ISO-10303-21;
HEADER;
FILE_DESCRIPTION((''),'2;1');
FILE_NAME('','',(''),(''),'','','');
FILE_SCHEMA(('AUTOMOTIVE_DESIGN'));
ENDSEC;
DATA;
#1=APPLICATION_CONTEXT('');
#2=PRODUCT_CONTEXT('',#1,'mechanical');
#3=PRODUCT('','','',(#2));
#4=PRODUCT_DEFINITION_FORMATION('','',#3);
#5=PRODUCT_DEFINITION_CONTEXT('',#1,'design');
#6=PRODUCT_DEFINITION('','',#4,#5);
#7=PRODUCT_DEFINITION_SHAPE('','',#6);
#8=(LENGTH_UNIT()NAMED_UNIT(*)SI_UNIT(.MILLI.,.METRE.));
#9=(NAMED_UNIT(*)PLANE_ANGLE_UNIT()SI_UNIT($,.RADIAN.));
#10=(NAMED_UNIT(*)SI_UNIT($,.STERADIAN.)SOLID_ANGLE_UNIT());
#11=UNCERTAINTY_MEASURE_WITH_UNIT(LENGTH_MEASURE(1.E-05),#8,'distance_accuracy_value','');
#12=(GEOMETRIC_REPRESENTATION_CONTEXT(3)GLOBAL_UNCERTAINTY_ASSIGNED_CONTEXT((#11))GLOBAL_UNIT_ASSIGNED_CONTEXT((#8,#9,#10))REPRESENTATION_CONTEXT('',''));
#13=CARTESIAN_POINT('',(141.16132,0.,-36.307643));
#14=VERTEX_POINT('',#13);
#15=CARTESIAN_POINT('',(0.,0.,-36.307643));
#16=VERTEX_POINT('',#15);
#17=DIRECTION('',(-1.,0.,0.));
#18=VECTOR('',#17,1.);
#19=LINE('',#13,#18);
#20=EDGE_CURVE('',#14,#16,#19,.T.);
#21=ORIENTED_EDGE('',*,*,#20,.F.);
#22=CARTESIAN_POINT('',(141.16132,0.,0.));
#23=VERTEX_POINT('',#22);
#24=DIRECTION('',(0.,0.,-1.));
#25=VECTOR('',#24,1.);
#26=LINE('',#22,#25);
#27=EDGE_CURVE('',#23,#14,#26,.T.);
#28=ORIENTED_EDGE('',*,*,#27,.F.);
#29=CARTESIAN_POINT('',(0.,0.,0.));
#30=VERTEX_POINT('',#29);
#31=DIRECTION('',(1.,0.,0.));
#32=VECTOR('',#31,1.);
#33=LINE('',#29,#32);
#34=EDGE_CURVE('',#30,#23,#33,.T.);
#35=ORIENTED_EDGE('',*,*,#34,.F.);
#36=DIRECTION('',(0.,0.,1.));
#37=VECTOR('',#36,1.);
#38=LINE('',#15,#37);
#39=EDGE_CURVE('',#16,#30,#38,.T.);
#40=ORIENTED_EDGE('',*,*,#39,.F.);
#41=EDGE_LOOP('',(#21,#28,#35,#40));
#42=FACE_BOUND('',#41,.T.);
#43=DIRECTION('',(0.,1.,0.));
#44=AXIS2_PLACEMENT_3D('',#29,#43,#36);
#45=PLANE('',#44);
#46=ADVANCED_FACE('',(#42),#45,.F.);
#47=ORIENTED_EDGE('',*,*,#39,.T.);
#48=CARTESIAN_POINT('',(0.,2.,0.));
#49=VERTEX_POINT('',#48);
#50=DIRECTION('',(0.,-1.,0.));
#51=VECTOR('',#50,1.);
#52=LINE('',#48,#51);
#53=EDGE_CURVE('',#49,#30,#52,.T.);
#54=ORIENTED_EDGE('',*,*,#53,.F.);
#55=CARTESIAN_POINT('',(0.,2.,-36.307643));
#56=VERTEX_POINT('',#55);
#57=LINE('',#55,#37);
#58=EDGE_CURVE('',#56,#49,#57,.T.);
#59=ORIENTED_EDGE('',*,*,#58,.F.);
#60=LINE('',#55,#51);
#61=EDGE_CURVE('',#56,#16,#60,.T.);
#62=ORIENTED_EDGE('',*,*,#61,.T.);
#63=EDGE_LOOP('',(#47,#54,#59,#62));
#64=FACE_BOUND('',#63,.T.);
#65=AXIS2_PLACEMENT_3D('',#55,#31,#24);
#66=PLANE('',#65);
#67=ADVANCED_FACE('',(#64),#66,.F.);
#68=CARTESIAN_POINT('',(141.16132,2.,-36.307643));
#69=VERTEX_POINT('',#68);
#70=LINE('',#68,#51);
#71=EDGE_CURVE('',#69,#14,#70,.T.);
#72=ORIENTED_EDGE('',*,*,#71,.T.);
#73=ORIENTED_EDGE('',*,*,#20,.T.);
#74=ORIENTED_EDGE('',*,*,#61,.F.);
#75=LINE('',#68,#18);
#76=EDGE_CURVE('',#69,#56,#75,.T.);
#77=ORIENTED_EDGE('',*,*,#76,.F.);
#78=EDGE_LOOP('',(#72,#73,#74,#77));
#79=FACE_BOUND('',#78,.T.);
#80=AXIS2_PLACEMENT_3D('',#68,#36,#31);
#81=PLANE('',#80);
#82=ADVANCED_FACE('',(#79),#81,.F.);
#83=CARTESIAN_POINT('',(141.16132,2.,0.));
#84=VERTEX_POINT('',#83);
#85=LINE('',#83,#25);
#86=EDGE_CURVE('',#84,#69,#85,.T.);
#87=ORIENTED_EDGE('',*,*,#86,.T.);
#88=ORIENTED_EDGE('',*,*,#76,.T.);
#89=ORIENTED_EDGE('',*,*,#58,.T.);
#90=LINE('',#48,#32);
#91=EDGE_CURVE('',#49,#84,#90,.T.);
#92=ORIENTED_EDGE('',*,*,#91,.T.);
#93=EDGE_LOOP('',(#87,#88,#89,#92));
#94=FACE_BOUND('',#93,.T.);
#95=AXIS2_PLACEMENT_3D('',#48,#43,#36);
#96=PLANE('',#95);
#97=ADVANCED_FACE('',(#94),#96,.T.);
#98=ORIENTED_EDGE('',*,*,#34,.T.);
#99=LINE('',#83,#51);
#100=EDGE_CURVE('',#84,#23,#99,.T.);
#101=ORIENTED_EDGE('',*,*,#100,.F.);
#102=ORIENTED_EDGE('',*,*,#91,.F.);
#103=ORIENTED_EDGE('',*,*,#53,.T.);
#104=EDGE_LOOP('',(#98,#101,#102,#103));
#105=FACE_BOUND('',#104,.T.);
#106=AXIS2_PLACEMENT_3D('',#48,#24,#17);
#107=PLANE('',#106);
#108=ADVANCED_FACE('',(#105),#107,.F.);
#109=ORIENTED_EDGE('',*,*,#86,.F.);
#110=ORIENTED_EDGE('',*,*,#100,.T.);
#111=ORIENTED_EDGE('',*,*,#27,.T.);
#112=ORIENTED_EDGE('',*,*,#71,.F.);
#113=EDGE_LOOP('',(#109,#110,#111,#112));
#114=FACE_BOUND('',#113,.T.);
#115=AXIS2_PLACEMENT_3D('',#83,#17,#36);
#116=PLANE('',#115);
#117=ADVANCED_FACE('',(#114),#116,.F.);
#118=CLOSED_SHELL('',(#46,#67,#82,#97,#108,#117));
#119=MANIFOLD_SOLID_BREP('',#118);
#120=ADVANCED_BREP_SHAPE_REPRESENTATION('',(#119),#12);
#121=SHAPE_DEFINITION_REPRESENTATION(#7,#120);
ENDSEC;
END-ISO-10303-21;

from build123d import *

# Parameters (mm, degrees)
ESQUISSE1_W        = 141.161319704
ESQUISSE1_H        = 36.307642768
BOSS_EXTRU_1_DEPTH = 2


with BuildPart() as part:
    # Esquisse1 → Boss.-Extru.1 (new body)
    with BuildSketch(Plane(origin=(0, 0, 0), x_dir=(1, 0, 0), z_dir=(0, 1, 0))):
        with Locations((70.580659852, 18.153821384)):
            Rectangle(ESQUISSE1_W, ESQUISSE1_H)
    extrude(amount=BOSS_EXTRU_1_DEPTH)


solid = part.part
